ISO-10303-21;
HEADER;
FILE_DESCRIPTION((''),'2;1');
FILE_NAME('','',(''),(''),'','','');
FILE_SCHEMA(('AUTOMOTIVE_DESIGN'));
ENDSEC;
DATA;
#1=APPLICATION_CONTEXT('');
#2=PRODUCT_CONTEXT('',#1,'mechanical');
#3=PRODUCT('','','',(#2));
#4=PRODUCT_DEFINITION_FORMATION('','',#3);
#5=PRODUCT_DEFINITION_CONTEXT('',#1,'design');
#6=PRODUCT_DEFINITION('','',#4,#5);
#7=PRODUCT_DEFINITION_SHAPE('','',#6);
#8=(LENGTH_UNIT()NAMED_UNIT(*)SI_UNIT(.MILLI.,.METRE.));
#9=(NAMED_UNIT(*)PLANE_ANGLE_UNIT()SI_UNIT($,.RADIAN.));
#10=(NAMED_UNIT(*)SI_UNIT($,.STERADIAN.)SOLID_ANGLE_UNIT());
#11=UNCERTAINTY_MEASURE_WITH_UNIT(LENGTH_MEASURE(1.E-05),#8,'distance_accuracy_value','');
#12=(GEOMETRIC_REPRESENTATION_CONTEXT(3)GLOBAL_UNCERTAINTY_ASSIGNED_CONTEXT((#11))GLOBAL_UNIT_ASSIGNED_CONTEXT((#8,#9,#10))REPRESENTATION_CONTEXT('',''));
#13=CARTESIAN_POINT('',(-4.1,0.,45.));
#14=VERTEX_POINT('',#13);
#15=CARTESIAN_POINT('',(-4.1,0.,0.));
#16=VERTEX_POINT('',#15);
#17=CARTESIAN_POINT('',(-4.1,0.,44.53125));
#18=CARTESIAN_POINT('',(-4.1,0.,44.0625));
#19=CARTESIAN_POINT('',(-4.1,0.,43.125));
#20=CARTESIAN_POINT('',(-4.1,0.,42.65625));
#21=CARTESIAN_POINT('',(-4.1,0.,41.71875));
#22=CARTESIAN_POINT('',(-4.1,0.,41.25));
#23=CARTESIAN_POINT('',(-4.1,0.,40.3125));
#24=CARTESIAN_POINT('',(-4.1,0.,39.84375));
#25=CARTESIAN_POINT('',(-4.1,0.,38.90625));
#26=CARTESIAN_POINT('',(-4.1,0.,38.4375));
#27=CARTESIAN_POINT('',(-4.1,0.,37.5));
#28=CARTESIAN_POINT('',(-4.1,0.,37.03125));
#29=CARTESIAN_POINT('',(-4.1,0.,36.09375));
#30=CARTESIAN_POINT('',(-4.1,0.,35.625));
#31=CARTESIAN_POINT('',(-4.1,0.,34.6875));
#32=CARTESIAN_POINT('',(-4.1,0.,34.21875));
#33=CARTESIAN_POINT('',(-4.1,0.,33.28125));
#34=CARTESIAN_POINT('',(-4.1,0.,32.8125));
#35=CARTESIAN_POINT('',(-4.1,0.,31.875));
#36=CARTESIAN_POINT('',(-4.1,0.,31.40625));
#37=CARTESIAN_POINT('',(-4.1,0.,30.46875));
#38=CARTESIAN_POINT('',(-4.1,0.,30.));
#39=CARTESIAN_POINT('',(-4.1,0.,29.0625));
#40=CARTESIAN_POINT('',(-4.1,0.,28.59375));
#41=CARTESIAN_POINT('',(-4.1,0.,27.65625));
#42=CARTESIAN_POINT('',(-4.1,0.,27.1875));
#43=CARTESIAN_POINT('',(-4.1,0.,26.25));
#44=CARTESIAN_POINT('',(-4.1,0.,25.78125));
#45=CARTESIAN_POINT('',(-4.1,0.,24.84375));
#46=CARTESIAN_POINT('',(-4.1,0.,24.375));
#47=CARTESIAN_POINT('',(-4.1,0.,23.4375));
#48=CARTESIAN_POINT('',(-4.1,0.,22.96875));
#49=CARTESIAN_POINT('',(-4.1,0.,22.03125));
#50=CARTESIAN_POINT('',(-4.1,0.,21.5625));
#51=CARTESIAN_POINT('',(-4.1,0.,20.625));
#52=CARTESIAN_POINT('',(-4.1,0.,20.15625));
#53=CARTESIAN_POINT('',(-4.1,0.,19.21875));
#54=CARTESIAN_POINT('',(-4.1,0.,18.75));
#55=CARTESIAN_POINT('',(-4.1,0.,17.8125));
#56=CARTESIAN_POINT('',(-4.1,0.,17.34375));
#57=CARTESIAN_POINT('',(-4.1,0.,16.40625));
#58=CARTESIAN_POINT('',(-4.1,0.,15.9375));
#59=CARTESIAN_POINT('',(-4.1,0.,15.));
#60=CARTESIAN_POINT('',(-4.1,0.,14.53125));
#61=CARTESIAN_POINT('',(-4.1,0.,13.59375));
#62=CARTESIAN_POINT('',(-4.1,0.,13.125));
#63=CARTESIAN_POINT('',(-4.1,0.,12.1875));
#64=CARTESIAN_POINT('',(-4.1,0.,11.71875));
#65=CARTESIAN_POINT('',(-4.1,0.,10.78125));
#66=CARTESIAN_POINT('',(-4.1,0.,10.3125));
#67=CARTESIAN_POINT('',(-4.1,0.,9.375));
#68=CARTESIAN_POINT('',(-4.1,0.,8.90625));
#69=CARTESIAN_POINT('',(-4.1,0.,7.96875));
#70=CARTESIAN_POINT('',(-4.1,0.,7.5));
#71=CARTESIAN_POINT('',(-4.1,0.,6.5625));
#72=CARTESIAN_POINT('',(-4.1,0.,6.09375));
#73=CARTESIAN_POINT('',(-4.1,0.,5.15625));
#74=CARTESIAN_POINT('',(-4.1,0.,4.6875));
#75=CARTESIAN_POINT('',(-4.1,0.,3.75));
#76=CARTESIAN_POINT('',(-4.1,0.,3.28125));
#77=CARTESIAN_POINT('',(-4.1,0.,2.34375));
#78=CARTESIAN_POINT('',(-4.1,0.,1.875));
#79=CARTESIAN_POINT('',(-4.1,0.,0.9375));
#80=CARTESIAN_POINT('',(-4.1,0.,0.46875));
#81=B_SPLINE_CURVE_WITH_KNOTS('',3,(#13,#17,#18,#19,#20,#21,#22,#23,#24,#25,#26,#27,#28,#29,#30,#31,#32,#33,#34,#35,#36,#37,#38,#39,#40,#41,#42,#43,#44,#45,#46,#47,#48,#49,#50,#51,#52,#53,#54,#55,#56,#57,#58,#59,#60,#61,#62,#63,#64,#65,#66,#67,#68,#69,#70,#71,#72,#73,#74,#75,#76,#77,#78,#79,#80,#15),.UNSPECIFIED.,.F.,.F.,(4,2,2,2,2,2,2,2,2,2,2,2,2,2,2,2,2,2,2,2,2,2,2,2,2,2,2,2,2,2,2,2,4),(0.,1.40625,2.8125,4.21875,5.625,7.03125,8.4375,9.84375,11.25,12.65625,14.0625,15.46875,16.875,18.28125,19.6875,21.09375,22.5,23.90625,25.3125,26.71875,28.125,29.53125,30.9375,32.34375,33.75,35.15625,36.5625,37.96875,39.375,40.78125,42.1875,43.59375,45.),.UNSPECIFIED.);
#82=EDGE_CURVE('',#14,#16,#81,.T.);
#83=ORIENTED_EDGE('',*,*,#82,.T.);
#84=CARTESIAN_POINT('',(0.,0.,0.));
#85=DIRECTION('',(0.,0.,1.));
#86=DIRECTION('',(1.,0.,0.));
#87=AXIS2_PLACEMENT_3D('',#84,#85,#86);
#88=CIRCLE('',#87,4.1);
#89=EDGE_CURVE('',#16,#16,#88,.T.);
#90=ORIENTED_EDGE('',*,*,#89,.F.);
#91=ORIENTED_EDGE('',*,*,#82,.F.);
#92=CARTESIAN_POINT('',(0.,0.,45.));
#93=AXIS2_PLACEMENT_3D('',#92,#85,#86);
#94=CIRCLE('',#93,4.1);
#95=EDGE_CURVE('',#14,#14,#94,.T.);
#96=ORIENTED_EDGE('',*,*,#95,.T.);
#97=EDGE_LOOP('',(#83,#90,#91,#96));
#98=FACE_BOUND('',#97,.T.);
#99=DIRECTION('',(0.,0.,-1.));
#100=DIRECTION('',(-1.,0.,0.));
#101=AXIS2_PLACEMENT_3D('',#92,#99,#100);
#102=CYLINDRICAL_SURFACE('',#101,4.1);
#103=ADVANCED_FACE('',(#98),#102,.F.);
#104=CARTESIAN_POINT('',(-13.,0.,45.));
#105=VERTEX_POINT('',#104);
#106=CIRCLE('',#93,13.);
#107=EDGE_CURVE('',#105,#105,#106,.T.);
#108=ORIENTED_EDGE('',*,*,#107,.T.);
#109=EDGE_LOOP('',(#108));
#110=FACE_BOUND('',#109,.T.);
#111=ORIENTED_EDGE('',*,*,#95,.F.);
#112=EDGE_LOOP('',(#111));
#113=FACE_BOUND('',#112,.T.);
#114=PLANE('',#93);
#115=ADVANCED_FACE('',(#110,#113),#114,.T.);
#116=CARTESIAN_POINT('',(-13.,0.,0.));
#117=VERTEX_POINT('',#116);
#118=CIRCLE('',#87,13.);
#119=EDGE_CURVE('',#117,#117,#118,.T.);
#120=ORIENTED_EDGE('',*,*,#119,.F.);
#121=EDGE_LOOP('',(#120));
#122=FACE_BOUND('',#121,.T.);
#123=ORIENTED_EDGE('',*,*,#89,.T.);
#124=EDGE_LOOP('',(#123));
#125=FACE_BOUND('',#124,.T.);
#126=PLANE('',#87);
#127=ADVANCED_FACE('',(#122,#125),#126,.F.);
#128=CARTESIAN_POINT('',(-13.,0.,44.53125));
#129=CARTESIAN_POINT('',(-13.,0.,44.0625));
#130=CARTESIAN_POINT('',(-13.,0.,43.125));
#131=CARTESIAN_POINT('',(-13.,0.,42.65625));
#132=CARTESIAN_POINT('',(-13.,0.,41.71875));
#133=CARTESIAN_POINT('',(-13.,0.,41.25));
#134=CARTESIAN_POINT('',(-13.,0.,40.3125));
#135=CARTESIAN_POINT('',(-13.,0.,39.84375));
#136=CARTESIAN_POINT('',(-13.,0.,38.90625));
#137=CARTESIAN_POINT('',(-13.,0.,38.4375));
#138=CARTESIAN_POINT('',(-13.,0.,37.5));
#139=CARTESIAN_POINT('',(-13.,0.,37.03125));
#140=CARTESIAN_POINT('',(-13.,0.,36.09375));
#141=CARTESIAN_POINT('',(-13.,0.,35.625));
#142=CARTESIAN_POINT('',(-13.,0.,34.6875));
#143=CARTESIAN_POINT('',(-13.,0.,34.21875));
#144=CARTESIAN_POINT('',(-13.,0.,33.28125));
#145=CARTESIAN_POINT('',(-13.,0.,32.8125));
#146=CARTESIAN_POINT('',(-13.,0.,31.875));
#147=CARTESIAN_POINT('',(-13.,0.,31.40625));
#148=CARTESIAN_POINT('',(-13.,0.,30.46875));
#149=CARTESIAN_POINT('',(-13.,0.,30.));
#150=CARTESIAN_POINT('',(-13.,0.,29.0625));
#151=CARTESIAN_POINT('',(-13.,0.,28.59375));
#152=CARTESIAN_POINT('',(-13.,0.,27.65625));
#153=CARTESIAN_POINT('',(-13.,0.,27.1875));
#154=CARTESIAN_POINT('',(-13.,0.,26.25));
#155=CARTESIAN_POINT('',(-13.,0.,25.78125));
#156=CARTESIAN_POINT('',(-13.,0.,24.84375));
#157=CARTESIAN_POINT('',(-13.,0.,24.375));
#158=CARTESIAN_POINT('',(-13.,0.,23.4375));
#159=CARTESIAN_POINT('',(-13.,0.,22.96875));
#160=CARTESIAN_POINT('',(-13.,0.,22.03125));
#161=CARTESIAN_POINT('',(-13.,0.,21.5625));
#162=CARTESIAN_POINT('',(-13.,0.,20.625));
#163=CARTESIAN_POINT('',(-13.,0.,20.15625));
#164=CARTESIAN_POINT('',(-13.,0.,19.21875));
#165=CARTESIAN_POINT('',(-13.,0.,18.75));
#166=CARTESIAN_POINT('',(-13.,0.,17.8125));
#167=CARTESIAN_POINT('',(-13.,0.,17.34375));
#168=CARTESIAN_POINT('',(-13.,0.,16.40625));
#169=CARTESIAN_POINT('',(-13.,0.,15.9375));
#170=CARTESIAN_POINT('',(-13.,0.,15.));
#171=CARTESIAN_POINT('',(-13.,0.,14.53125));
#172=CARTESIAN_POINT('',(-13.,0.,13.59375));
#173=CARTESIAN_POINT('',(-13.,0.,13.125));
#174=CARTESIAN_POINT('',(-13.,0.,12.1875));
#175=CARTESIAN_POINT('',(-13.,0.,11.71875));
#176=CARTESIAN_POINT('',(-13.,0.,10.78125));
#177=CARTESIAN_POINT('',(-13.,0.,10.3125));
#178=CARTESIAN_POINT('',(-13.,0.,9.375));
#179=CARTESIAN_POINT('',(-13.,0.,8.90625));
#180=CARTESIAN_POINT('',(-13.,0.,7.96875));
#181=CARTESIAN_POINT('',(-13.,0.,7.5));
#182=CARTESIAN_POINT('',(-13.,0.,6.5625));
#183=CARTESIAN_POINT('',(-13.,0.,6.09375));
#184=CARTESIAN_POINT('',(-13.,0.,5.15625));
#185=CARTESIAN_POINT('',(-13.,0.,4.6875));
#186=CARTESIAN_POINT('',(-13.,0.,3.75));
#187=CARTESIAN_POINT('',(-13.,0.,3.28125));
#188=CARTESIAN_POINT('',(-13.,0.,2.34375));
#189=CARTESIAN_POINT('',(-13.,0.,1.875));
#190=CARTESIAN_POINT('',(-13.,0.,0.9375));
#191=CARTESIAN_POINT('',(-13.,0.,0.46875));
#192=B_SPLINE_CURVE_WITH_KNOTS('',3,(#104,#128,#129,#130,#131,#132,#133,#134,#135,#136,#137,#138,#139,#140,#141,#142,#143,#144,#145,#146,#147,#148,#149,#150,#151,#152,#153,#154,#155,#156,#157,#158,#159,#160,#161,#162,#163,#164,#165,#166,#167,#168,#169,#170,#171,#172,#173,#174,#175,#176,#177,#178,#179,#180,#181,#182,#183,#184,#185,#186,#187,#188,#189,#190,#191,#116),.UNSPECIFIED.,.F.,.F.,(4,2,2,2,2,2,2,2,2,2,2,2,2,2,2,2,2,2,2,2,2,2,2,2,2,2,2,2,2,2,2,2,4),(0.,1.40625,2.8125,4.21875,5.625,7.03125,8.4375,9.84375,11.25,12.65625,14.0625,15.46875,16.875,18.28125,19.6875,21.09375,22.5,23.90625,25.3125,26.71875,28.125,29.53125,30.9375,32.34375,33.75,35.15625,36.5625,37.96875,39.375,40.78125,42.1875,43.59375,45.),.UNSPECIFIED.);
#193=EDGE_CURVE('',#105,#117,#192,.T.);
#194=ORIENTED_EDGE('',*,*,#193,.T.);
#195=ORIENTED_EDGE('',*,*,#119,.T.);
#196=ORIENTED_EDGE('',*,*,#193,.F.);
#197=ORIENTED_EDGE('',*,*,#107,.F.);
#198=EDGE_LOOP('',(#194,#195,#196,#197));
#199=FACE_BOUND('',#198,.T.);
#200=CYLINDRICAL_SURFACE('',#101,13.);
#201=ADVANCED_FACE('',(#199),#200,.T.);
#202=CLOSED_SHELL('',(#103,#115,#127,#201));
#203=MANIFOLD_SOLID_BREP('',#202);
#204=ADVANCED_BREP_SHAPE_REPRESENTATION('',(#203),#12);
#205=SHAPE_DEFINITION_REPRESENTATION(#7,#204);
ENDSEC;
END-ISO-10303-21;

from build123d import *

# Parameters (mm, degrees)
SKETCH_1_R      = 13
SKETCH_1_R_2    = 4.1
EXTRUDE_1_DEPTH = 45


with BuildPart() as part:
    # Эскиз1 → Вытянуть1 (new body)
    with BuildSketch(Plane.XY):
        with Locations(Location((0, 0, 0), (0, 0, 180))):
            Circle(SKETCH_1_R)
        with Locations(Location((0, 0, 0), (0, 0, 180))):
            Circle(SKETCH_1_R_2, mode=Mode.SUBTRACT)
    extrude(amount=EXTRUDE_1_DEPTH)


solid = part.part
